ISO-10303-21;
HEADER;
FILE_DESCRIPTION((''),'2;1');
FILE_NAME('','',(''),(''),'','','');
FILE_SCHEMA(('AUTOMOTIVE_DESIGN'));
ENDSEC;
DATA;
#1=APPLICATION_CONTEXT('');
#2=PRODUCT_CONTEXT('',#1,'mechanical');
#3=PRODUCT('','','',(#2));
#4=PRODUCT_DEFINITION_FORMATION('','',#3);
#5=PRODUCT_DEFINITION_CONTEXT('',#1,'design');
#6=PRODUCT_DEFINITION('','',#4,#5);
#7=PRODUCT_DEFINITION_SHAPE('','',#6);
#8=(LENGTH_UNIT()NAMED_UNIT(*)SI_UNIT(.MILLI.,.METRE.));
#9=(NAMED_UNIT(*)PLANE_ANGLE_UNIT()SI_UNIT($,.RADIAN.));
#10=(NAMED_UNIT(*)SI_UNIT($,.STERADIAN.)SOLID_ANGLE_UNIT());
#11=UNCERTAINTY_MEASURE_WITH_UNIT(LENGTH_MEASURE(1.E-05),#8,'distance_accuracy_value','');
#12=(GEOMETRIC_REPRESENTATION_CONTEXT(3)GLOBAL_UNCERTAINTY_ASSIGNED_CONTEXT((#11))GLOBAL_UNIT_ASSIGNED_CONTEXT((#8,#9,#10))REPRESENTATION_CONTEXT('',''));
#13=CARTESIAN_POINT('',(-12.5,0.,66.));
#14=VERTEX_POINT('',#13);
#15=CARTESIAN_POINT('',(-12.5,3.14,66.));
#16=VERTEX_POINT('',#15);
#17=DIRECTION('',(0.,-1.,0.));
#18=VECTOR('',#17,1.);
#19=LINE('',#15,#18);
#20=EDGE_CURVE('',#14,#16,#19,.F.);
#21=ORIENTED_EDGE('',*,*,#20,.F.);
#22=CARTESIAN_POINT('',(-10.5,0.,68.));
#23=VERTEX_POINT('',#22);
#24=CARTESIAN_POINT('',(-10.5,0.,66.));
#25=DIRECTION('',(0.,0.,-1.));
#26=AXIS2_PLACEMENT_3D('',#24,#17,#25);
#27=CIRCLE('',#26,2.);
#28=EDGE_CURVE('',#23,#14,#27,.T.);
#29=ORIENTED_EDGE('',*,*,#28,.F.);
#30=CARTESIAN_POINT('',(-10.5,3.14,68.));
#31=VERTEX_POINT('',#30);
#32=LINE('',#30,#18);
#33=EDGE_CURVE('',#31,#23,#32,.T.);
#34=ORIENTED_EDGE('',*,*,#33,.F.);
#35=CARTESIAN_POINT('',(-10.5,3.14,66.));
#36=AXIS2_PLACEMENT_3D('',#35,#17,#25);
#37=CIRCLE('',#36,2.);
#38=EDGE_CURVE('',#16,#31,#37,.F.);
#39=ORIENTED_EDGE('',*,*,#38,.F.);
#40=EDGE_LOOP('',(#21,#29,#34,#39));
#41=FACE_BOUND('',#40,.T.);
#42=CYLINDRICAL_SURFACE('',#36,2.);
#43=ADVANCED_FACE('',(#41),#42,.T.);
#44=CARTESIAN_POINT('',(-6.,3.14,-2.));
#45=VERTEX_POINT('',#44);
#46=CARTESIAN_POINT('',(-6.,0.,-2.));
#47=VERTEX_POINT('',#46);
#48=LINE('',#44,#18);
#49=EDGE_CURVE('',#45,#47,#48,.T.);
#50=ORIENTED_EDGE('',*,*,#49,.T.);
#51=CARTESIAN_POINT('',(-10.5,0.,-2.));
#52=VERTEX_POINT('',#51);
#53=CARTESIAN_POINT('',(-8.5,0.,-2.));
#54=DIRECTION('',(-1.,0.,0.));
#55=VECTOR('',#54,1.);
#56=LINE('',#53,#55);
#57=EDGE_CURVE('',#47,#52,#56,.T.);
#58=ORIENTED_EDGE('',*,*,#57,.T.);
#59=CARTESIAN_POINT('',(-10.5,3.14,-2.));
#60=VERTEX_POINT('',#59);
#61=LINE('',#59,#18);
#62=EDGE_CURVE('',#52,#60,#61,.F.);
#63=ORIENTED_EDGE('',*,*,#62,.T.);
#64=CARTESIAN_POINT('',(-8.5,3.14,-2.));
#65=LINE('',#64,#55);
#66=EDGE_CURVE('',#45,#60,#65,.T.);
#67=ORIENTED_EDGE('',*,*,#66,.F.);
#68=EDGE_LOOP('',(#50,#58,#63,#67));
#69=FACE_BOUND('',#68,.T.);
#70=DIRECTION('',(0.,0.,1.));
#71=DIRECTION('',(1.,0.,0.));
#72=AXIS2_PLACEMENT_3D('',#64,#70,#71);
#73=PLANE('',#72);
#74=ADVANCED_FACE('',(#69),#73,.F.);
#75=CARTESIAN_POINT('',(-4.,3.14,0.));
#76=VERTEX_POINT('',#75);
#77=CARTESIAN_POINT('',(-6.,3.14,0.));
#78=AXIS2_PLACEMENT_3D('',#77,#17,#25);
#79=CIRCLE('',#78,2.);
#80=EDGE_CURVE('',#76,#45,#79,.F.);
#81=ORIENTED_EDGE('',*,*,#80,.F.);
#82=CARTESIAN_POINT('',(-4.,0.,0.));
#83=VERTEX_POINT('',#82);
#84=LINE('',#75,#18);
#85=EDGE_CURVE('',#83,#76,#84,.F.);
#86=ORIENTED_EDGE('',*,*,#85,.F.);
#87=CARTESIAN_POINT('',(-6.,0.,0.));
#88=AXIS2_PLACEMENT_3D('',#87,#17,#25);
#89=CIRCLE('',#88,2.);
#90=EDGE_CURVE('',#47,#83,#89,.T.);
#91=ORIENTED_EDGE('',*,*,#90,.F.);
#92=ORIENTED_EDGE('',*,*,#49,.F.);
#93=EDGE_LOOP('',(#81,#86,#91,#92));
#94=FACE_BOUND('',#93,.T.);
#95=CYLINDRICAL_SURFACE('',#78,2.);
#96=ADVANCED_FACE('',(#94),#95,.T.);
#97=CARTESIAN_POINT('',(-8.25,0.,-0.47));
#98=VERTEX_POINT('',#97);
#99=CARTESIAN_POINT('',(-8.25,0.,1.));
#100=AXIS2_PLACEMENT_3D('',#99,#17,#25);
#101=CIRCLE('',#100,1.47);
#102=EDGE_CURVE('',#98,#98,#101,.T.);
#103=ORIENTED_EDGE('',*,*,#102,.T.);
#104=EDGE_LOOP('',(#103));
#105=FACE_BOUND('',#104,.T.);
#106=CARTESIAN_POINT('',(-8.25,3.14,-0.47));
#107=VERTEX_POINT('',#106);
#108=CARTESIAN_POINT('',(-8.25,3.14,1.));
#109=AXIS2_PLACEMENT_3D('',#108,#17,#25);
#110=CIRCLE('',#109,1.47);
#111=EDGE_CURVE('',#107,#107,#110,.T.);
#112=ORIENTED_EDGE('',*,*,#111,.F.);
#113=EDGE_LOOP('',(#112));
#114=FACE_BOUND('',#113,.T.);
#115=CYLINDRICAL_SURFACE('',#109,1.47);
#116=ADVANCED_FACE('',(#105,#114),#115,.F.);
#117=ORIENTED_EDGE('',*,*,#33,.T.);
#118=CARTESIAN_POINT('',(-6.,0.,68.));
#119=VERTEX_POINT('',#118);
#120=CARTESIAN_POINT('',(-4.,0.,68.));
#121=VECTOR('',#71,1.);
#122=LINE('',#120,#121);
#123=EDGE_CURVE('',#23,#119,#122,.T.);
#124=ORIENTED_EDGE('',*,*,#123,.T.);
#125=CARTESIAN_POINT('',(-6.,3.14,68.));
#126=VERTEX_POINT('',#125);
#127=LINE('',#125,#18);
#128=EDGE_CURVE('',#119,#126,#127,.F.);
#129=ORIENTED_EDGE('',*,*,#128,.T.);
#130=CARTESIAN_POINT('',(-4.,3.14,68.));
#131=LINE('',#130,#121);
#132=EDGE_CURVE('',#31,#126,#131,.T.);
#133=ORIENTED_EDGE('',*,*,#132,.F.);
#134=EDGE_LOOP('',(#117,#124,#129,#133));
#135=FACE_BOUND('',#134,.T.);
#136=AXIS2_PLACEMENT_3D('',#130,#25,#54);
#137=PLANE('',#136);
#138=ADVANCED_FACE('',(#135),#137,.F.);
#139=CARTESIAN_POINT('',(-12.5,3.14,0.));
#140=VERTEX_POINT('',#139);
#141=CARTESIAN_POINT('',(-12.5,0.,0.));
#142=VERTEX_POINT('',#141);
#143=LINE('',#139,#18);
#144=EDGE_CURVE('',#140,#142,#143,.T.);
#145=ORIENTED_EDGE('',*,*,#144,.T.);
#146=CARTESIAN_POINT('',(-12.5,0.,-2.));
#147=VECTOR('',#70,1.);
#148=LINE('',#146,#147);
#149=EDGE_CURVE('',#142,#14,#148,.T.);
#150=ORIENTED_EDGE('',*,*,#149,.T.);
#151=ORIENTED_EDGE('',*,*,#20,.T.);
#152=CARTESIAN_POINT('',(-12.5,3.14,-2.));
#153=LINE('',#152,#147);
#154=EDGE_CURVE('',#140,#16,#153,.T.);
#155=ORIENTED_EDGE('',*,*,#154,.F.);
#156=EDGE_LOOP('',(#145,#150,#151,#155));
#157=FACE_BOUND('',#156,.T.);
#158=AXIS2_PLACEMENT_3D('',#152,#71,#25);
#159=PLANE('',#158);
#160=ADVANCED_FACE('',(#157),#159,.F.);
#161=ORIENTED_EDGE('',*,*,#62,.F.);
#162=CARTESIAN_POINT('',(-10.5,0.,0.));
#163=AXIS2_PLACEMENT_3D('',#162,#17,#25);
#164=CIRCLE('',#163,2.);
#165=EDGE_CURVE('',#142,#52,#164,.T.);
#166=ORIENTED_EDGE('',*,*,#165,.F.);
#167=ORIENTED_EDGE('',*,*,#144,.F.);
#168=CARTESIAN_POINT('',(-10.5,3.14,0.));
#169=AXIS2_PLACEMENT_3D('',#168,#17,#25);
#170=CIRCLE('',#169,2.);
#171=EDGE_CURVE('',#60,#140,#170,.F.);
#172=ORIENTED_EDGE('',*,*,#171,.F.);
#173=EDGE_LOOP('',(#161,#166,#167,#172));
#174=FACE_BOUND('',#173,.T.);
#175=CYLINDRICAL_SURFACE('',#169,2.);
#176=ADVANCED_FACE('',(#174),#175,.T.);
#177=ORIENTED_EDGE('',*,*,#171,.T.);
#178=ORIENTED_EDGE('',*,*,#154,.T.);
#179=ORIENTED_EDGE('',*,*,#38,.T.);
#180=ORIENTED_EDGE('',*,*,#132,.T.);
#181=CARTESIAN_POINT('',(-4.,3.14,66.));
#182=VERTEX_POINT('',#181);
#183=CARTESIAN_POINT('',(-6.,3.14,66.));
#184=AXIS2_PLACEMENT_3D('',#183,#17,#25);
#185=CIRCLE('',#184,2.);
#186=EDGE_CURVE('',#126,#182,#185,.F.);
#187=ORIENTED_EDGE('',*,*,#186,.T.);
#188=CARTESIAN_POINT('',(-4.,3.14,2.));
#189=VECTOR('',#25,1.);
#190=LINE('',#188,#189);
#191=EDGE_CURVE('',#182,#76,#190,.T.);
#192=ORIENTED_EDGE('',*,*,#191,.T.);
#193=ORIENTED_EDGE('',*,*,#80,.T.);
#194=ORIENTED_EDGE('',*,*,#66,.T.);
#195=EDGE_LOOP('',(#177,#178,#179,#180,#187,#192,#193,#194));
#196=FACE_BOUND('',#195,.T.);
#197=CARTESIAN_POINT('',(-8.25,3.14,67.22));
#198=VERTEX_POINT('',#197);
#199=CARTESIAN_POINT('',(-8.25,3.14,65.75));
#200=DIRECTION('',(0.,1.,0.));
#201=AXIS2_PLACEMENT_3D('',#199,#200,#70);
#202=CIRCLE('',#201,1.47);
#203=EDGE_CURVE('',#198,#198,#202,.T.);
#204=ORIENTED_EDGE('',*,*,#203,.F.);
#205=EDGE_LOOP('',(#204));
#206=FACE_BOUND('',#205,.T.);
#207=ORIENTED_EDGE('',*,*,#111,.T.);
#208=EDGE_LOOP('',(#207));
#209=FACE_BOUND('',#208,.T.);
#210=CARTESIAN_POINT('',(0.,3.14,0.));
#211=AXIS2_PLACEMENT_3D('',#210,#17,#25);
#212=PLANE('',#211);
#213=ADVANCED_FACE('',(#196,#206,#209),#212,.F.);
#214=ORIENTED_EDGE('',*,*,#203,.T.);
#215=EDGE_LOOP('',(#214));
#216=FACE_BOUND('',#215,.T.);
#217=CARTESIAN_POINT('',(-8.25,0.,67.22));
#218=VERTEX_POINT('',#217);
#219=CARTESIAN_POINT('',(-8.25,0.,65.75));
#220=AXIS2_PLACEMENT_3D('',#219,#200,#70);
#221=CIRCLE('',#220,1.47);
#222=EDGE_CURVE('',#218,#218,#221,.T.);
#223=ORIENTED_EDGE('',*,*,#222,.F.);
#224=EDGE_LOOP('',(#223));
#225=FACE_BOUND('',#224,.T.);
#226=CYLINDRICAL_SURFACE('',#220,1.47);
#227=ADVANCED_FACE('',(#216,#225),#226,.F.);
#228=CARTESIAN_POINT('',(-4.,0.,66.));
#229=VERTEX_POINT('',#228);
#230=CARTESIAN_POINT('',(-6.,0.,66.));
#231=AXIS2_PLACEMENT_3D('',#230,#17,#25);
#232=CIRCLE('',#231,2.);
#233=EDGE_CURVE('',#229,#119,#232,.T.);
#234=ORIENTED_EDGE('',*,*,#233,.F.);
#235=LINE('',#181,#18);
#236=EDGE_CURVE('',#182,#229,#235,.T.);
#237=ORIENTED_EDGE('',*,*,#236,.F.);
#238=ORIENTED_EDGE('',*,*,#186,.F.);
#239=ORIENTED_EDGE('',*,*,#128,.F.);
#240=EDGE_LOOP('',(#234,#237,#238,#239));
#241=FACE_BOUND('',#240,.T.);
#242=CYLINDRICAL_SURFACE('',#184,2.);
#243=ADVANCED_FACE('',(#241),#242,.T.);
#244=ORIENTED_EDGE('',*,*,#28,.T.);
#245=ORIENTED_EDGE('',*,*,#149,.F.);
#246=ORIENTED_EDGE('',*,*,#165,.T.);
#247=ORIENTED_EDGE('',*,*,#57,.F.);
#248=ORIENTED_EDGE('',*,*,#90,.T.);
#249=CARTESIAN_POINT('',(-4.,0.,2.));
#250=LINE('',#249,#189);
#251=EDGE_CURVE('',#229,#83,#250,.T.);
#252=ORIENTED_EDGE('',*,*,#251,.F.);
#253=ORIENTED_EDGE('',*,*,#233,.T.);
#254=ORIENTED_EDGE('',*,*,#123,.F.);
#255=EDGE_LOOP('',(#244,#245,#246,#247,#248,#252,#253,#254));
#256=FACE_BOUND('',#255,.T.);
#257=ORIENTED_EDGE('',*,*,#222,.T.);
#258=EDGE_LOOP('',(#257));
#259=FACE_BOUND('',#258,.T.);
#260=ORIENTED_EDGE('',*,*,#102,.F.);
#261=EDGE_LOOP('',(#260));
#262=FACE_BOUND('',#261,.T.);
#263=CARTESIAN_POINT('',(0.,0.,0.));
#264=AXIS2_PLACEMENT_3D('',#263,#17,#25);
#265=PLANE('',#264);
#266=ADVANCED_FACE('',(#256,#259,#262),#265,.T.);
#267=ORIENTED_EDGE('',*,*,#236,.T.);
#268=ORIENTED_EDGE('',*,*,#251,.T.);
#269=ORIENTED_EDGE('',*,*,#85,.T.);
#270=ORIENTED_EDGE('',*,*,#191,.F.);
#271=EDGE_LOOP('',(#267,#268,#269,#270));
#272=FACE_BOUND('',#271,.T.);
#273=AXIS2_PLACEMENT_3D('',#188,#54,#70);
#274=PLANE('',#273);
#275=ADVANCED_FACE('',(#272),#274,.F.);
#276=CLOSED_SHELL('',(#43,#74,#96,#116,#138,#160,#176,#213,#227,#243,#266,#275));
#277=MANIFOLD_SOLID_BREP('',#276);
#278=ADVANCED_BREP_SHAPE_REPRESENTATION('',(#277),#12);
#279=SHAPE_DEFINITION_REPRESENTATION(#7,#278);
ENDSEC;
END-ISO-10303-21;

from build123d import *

# Parameters (mm, degrees)
BOSS_EXTRUDE1_DEPTH = 3.14
SKETCH7_R           = 1.47
CUT_EXTRUDE1_DEPTH  = 70.210617683
SKETCH8_W           = 16.5
SKETCH8_H           = 4
CUT_EXTRUDE2_DEPTH  = 70.210617683
FILLET1_R           = 2
SKETCH9_R           = 1.47
CUT_EXTRUDE3_DEPTH  = 70.210617683


with BuildPart() as part:
    # Sketch1 → Boss-Extrude1 (new body)
    with BuildSketch(Plane(origin=(0, 0, 0), x_dir=(1, 0, 0), z_dir=(0, 1, 0))):
        Polygon((12.5, 2), (12.5, -2), (-4, -2), (-4, -68), (-12.5, -68), (-12.5, 2), (-8.5, 2), align=None)
    extrude(amount=BOSS_EXTRUDE1_DEPTH)

    # Sketch7 → Cut-Extrude1 (cut, through all)
    with BuildSketch(Plane(origin=(0, 3.14, 0), x_dir=(1, 0, 0), z_dir=(0, 1, 0))):
        with Locations(Location((-8.25, -65.75, 0), (0, 0, 270))):
            Circle(SKETCH7_R)
    extrude(amount=-CUT_EXTRUDE1_DEPTH, mode=Mode.SUBTRACT)

    # Sketch8 → Cut-Extrude2 (cut, through all)
    with BuildSketch(Plane.XZ):
        with Locations((4.25, 0)):
            Rectangle(SKETCH8_W, SKETCH8_H)
    extrude(amount=-CUT_EXTRUDE2_DEPTH, mode=Mode.SUBTRACT)

    # Fillet1
    fillet1_edges = [part.edges().sort_by_distance(p)[0] for p in [
        (-4, 1.57, 68),
        (-12.5, 1.57, 68),
        (-12.5, 1.57, -2),
        (-4, 1.57, -2),
    ]]
    fillet(fillet1_edges, radius=FILLET1_R)

    # Sketch9 → Cut-Extrude3 (cut, through all)
    with BuildSketch(Plane.XZ):
        with Locations(Location((-8.25, 1, 0), (0, 0, 270))):
            Circle(SKETCH9_R)
    extrude(amount=-CUT_EXTRUDE3_DEPTH, mode=Mode.SUBTRACT)


solid = part.part
